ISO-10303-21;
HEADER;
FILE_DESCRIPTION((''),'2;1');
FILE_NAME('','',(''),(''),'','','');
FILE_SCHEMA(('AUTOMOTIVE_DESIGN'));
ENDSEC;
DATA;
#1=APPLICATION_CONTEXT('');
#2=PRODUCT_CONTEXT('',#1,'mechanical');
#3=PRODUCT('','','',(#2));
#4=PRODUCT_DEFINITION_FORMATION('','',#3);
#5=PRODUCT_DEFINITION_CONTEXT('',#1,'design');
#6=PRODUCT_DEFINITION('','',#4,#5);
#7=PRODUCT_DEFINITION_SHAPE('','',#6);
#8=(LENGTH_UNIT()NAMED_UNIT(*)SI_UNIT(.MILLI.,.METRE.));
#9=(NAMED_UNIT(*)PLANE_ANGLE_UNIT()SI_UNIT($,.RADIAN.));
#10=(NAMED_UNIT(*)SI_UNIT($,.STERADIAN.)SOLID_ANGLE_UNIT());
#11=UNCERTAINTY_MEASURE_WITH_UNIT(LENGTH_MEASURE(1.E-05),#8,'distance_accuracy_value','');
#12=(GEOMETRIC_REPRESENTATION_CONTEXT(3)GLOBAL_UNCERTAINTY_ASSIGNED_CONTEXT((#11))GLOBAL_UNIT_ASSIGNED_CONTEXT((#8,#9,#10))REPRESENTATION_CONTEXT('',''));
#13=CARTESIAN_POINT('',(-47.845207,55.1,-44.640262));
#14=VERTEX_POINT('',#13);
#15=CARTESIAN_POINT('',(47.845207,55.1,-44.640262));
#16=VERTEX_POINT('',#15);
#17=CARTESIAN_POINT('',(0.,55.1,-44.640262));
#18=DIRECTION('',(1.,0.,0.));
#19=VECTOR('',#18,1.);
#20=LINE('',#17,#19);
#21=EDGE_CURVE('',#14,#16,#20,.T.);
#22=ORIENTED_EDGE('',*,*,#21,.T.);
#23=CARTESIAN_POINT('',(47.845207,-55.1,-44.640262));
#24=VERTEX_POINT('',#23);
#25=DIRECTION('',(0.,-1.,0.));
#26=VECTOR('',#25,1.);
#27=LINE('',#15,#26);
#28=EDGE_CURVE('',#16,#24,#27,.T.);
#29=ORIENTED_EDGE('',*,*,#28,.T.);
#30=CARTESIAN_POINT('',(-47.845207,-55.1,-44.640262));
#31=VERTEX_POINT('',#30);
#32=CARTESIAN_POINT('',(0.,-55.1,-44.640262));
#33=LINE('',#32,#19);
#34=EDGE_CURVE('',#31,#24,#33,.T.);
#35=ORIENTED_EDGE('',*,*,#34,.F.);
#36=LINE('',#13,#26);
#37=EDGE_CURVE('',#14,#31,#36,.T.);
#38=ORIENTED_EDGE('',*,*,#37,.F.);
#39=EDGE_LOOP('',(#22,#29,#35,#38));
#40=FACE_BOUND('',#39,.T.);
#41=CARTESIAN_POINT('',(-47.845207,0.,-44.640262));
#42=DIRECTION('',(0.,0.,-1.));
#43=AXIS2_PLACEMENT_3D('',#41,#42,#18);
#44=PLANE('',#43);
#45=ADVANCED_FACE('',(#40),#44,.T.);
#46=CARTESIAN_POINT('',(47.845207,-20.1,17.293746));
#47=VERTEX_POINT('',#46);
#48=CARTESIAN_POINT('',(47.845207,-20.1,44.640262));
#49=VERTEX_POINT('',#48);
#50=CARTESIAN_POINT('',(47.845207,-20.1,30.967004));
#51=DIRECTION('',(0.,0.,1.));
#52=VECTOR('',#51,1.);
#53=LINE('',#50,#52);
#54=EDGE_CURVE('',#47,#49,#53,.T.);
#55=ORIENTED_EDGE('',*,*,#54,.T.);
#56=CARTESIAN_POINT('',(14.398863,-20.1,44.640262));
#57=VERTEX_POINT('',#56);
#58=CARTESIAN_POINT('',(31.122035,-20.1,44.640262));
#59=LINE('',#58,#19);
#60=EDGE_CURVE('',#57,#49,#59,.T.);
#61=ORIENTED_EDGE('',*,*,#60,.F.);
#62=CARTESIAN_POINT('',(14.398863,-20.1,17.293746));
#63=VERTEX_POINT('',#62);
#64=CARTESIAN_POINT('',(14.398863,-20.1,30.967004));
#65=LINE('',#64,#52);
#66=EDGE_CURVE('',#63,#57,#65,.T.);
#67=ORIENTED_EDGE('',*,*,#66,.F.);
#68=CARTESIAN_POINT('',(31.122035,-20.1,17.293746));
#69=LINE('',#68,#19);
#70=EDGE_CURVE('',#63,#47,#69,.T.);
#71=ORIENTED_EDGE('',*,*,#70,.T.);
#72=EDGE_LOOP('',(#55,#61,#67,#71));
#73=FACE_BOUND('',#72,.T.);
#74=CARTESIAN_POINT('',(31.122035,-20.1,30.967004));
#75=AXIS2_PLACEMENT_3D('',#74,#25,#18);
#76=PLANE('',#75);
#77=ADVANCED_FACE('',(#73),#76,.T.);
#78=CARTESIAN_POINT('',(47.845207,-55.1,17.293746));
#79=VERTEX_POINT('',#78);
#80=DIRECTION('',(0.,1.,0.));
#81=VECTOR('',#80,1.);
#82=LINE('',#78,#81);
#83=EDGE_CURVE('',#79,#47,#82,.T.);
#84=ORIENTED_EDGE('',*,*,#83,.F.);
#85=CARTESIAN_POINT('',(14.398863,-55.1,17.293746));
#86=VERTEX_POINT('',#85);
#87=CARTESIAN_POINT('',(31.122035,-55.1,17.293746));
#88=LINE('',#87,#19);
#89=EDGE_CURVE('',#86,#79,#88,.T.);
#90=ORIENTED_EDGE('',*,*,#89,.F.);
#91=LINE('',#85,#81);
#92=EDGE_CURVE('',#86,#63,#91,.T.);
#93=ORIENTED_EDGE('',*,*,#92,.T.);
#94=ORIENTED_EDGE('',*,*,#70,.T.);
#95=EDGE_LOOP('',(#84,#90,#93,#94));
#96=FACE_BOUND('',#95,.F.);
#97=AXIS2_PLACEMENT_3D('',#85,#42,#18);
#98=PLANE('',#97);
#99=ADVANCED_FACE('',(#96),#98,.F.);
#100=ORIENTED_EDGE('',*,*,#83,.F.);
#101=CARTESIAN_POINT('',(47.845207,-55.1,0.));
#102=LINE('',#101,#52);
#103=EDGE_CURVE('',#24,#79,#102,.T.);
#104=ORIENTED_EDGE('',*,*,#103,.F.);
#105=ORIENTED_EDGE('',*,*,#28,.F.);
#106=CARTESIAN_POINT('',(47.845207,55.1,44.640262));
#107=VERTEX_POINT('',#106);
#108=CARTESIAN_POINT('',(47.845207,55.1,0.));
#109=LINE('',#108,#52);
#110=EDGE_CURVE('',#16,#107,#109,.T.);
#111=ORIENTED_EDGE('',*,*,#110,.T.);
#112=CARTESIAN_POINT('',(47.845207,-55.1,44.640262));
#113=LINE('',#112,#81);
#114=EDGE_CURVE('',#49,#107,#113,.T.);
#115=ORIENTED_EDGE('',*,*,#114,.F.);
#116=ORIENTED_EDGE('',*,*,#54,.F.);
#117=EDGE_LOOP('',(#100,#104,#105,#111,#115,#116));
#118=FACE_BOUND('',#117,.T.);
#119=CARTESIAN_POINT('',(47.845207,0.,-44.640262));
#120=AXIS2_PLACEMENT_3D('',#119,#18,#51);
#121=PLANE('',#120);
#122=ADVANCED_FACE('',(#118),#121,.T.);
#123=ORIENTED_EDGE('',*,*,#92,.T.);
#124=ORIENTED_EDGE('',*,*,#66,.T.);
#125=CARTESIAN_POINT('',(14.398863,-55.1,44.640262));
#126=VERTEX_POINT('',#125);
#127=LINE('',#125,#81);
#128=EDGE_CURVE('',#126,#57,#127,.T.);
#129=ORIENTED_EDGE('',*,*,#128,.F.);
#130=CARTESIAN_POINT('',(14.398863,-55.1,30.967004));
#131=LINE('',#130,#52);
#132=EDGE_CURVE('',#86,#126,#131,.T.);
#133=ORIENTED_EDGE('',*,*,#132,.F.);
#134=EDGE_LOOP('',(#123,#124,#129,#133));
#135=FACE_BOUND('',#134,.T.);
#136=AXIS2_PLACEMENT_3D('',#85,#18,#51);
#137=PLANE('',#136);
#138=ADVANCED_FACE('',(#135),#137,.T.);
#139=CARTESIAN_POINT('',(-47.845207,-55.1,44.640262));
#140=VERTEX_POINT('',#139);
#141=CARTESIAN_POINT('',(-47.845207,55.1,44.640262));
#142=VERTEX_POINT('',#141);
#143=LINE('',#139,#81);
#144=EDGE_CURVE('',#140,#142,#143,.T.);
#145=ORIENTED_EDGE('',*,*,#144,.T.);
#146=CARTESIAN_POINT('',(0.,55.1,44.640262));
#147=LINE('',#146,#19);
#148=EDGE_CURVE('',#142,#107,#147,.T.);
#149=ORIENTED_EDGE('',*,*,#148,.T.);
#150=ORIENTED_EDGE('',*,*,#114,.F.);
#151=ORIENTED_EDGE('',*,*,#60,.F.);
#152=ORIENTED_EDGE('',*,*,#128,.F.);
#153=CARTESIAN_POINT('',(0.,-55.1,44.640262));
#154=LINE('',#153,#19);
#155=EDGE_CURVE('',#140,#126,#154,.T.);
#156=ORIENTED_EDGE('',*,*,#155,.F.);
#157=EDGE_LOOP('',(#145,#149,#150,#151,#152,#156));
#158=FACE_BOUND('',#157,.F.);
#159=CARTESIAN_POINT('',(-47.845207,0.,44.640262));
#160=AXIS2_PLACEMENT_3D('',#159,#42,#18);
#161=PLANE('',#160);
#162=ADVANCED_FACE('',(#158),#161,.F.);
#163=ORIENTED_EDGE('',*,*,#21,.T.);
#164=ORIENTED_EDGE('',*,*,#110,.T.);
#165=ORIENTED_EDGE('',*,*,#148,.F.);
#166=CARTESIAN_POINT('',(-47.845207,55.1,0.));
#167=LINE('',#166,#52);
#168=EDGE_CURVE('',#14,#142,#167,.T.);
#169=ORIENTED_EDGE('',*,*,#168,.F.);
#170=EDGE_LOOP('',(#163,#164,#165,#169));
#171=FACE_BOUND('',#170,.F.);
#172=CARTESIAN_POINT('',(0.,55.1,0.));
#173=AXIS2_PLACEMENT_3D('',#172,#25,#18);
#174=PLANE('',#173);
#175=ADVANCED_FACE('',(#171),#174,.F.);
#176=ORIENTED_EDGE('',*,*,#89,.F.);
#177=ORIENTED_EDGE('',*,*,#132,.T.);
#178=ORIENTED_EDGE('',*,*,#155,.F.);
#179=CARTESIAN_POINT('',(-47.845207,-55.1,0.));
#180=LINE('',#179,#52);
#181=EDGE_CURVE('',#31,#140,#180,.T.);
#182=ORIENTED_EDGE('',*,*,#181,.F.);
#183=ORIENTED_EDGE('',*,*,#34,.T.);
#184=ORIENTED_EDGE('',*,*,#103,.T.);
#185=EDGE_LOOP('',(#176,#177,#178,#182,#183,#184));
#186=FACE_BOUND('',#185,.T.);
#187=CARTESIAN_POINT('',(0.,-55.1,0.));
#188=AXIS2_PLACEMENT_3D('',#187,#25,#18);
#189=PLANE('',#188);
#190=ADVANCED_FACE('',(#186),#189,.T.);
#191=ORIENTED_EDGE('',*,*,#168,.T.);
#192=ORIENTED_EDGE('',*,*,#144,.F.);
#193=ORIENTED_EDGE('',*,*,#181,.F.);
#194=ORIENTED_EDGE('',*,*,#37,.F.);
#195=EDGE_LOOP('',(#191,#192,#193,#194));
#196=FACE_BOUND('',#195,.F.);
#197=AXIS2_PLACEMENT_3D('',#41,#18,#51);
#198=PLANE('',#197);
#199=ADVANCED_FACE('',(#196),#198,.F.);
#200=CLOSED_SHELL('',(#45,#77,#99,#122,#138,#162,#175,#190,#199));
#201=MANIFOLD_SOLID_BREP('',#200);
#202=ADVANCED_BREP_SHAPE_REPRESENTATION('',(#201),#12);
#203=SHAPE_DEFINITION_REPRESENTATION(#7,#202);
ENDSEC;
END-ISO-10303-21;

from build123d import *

# Parameters (mm, degrees)
F0_W     = 95.690414
F0_H     = 89.280524
F1_DEPTH = 55.1
F2_W     = 33.446344
F2_H     = 27.346516
F3_DEPTH = 35


with BuildPart() as f1:
    # F0 (on Front) → F1 (new body, symmetric)
    with BuildSketch(Plane.XZ):
        Rectangle(F0_W, F0_H)
    extrude(amount=F1_DEPTH, both=True)

    # F2 (on face) → F3 (cut)
    with BuildSketch(Plane.XZ.offset(55.1)):
        with Locations((31.122035, 30.967004)):
            Rectangle(F2_W, F2_H)
    extrude(amount=-F3_DEPTH, mode=Mode.SUBTRACT)


solid = f1.part
